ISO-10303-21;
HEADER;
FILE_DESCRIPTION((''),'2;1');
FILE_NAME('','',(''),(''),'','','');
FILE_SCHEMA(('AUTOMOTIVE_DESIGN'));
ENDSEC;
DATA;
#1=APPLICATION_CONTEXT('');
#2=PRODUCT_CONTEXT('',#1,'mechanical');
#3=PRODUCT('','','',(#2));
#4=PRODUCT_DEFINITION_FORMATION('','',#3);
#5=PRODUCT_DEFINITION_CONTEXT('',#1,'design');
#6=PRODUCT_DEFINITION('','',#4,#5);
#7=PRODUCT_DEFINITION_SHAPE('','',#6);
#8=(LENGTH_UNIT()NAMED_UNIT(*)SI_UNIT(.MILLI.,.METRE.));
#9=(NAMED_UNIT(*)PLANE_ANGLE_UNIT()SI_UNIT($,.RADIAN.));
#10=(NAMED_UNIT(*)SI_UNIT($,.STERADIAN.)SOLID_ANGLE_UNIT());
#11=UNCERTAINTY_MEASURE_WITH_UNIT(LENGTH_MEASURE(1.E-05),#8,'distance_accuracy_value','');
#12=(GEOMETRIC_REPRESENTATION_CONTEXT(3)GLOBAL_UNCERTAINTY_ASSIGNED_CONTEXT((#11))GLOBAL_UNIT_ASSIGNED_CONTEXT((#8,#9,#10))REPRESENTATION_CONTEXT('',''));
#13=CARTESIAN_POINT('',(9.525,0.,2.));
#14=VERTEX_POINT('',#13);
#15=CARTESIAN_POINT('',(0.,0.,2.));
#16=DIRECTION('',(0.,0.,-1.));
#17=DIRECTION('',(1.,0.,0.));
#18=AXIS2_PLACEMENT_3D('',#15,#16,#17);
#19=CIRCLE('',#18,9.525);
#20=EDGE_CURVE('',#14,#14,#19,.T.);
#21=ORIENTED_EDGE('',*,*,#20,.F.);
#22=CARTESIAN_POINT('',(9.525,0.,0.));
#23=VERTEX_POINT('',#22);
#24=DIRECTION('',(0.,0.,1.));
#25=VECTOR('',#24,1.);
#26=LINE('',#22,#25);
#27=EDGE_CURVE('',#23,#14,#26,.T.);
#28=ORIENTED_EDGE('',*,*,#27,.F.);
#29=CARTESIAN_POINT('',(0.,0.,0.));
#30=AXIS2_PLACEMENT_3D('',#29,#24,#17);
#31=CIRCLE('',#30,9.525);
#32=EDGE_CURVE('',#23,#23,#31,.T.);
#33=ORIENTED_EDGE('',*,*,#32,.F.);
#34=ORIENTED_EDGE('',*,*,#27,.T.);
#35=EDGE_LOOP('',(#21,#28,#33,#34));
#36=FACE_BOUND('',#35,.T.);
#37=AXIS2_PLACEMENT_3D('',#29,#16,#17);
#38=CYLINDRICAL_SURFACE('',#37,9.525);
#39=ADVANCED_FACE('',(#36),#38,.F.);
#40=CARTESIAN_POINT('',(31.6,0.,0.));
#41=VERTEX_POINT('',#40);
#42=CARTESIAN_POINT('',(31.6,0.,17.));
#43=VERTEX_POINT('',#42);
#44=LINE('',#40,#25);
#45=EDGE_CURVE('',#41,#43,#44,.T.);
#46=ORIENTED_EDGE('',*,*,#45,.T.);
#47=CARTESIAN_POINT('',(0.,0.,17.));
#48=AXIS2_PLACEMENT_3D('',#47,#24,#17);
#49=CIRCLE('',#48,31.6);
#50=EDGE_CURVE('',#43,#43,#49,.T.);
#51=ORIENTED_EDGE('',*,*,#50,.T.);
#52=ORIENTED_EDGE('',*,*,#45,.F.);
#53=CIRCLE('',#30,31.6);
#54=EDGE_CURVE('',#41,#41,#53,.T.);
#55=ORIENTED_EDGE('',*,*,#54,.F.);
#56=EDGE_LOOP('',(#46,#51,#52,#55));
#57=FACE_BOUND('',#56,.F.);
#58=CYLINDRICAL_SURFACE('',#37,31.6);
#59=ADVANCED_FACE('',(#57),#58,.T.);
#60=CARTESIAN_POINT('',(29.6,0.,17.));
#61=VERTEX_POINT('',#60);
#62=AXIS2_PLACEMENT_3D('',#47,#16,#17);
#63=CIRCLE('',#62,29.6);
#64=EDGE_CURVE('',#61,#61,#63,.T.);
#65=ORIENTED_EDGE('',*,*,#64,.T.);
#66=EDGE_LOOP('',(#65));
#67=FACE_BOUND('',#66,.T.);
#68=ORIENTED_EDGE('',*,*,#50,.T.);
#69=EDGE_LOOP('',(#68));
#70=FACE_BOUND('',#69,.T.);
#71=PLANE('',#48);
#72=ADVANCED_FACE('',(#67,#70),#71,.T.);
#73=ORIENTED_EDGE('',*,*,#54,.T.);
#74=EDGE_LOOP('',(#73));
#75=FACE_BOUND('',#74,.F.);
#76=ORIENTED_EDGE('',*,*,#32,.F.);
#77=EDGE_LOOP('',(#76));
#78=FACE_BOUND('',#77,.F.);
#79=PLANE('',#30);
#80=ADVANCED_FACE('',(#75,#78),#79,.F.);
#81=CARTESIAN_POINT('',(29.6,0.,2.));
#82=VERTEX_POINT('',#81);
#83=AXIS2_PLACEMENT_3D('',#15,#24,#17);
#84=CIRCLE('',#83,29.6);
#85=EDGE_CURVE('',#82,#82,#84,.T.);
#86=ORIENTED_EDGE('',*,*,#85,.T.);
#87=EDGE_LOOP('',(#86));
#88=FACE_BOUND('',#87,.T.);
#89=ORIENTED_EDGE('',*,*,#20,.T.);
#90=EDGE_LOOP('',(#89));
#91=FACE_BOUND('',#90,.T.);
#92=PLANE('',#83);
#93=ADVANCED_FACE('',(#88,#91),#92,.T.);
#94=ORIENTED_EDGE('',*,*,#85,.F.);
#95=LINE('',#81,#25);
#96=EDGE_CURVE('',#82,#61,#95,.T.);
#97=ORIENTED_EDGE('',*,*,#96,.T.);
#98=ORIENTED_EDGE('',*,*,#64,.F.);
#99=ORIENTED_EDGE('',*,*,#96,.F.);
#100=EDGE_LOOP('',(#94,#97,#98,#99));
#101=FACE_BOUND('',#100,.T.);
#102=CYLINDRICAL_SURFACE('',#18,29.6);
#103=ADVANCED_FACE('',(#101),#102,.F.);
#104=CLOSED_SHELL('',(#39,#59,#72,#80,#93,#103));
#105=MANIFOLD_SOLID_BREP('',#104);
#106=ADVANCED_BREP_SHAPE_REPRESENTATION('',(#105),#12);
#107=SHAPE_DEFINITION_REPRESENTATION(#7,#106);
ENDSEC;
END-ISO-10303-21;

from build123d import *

# Parameters (mm, degrees)
SKETCH_R     = 31.6
SKETCH_R_2   = 9.525
PAD_DEPTH    = 17
SKETCH001_R  = 29.6
POCKET_DEPTH = 15.001


with BuildPart() as part:
    # Sketch → Pad (new body)
    with BuildSketch(Plane.XY):
        Circle(SKETCH_R)
        Circle(SKETCH_R_2, mode=Mode.SUBTRACT)
    extrude(amount=PAD_DEPTH)

    # Sketch001 (on DatumPlane) → Pocket (cut, through all)
    with BuildSketch(Plane.XY.offset(2)):
        Circle(SKETCH001_R)
    extrude(amount=POCKET_DEPTH, mode=Mode.SUBTRACT)


solid = part.part
